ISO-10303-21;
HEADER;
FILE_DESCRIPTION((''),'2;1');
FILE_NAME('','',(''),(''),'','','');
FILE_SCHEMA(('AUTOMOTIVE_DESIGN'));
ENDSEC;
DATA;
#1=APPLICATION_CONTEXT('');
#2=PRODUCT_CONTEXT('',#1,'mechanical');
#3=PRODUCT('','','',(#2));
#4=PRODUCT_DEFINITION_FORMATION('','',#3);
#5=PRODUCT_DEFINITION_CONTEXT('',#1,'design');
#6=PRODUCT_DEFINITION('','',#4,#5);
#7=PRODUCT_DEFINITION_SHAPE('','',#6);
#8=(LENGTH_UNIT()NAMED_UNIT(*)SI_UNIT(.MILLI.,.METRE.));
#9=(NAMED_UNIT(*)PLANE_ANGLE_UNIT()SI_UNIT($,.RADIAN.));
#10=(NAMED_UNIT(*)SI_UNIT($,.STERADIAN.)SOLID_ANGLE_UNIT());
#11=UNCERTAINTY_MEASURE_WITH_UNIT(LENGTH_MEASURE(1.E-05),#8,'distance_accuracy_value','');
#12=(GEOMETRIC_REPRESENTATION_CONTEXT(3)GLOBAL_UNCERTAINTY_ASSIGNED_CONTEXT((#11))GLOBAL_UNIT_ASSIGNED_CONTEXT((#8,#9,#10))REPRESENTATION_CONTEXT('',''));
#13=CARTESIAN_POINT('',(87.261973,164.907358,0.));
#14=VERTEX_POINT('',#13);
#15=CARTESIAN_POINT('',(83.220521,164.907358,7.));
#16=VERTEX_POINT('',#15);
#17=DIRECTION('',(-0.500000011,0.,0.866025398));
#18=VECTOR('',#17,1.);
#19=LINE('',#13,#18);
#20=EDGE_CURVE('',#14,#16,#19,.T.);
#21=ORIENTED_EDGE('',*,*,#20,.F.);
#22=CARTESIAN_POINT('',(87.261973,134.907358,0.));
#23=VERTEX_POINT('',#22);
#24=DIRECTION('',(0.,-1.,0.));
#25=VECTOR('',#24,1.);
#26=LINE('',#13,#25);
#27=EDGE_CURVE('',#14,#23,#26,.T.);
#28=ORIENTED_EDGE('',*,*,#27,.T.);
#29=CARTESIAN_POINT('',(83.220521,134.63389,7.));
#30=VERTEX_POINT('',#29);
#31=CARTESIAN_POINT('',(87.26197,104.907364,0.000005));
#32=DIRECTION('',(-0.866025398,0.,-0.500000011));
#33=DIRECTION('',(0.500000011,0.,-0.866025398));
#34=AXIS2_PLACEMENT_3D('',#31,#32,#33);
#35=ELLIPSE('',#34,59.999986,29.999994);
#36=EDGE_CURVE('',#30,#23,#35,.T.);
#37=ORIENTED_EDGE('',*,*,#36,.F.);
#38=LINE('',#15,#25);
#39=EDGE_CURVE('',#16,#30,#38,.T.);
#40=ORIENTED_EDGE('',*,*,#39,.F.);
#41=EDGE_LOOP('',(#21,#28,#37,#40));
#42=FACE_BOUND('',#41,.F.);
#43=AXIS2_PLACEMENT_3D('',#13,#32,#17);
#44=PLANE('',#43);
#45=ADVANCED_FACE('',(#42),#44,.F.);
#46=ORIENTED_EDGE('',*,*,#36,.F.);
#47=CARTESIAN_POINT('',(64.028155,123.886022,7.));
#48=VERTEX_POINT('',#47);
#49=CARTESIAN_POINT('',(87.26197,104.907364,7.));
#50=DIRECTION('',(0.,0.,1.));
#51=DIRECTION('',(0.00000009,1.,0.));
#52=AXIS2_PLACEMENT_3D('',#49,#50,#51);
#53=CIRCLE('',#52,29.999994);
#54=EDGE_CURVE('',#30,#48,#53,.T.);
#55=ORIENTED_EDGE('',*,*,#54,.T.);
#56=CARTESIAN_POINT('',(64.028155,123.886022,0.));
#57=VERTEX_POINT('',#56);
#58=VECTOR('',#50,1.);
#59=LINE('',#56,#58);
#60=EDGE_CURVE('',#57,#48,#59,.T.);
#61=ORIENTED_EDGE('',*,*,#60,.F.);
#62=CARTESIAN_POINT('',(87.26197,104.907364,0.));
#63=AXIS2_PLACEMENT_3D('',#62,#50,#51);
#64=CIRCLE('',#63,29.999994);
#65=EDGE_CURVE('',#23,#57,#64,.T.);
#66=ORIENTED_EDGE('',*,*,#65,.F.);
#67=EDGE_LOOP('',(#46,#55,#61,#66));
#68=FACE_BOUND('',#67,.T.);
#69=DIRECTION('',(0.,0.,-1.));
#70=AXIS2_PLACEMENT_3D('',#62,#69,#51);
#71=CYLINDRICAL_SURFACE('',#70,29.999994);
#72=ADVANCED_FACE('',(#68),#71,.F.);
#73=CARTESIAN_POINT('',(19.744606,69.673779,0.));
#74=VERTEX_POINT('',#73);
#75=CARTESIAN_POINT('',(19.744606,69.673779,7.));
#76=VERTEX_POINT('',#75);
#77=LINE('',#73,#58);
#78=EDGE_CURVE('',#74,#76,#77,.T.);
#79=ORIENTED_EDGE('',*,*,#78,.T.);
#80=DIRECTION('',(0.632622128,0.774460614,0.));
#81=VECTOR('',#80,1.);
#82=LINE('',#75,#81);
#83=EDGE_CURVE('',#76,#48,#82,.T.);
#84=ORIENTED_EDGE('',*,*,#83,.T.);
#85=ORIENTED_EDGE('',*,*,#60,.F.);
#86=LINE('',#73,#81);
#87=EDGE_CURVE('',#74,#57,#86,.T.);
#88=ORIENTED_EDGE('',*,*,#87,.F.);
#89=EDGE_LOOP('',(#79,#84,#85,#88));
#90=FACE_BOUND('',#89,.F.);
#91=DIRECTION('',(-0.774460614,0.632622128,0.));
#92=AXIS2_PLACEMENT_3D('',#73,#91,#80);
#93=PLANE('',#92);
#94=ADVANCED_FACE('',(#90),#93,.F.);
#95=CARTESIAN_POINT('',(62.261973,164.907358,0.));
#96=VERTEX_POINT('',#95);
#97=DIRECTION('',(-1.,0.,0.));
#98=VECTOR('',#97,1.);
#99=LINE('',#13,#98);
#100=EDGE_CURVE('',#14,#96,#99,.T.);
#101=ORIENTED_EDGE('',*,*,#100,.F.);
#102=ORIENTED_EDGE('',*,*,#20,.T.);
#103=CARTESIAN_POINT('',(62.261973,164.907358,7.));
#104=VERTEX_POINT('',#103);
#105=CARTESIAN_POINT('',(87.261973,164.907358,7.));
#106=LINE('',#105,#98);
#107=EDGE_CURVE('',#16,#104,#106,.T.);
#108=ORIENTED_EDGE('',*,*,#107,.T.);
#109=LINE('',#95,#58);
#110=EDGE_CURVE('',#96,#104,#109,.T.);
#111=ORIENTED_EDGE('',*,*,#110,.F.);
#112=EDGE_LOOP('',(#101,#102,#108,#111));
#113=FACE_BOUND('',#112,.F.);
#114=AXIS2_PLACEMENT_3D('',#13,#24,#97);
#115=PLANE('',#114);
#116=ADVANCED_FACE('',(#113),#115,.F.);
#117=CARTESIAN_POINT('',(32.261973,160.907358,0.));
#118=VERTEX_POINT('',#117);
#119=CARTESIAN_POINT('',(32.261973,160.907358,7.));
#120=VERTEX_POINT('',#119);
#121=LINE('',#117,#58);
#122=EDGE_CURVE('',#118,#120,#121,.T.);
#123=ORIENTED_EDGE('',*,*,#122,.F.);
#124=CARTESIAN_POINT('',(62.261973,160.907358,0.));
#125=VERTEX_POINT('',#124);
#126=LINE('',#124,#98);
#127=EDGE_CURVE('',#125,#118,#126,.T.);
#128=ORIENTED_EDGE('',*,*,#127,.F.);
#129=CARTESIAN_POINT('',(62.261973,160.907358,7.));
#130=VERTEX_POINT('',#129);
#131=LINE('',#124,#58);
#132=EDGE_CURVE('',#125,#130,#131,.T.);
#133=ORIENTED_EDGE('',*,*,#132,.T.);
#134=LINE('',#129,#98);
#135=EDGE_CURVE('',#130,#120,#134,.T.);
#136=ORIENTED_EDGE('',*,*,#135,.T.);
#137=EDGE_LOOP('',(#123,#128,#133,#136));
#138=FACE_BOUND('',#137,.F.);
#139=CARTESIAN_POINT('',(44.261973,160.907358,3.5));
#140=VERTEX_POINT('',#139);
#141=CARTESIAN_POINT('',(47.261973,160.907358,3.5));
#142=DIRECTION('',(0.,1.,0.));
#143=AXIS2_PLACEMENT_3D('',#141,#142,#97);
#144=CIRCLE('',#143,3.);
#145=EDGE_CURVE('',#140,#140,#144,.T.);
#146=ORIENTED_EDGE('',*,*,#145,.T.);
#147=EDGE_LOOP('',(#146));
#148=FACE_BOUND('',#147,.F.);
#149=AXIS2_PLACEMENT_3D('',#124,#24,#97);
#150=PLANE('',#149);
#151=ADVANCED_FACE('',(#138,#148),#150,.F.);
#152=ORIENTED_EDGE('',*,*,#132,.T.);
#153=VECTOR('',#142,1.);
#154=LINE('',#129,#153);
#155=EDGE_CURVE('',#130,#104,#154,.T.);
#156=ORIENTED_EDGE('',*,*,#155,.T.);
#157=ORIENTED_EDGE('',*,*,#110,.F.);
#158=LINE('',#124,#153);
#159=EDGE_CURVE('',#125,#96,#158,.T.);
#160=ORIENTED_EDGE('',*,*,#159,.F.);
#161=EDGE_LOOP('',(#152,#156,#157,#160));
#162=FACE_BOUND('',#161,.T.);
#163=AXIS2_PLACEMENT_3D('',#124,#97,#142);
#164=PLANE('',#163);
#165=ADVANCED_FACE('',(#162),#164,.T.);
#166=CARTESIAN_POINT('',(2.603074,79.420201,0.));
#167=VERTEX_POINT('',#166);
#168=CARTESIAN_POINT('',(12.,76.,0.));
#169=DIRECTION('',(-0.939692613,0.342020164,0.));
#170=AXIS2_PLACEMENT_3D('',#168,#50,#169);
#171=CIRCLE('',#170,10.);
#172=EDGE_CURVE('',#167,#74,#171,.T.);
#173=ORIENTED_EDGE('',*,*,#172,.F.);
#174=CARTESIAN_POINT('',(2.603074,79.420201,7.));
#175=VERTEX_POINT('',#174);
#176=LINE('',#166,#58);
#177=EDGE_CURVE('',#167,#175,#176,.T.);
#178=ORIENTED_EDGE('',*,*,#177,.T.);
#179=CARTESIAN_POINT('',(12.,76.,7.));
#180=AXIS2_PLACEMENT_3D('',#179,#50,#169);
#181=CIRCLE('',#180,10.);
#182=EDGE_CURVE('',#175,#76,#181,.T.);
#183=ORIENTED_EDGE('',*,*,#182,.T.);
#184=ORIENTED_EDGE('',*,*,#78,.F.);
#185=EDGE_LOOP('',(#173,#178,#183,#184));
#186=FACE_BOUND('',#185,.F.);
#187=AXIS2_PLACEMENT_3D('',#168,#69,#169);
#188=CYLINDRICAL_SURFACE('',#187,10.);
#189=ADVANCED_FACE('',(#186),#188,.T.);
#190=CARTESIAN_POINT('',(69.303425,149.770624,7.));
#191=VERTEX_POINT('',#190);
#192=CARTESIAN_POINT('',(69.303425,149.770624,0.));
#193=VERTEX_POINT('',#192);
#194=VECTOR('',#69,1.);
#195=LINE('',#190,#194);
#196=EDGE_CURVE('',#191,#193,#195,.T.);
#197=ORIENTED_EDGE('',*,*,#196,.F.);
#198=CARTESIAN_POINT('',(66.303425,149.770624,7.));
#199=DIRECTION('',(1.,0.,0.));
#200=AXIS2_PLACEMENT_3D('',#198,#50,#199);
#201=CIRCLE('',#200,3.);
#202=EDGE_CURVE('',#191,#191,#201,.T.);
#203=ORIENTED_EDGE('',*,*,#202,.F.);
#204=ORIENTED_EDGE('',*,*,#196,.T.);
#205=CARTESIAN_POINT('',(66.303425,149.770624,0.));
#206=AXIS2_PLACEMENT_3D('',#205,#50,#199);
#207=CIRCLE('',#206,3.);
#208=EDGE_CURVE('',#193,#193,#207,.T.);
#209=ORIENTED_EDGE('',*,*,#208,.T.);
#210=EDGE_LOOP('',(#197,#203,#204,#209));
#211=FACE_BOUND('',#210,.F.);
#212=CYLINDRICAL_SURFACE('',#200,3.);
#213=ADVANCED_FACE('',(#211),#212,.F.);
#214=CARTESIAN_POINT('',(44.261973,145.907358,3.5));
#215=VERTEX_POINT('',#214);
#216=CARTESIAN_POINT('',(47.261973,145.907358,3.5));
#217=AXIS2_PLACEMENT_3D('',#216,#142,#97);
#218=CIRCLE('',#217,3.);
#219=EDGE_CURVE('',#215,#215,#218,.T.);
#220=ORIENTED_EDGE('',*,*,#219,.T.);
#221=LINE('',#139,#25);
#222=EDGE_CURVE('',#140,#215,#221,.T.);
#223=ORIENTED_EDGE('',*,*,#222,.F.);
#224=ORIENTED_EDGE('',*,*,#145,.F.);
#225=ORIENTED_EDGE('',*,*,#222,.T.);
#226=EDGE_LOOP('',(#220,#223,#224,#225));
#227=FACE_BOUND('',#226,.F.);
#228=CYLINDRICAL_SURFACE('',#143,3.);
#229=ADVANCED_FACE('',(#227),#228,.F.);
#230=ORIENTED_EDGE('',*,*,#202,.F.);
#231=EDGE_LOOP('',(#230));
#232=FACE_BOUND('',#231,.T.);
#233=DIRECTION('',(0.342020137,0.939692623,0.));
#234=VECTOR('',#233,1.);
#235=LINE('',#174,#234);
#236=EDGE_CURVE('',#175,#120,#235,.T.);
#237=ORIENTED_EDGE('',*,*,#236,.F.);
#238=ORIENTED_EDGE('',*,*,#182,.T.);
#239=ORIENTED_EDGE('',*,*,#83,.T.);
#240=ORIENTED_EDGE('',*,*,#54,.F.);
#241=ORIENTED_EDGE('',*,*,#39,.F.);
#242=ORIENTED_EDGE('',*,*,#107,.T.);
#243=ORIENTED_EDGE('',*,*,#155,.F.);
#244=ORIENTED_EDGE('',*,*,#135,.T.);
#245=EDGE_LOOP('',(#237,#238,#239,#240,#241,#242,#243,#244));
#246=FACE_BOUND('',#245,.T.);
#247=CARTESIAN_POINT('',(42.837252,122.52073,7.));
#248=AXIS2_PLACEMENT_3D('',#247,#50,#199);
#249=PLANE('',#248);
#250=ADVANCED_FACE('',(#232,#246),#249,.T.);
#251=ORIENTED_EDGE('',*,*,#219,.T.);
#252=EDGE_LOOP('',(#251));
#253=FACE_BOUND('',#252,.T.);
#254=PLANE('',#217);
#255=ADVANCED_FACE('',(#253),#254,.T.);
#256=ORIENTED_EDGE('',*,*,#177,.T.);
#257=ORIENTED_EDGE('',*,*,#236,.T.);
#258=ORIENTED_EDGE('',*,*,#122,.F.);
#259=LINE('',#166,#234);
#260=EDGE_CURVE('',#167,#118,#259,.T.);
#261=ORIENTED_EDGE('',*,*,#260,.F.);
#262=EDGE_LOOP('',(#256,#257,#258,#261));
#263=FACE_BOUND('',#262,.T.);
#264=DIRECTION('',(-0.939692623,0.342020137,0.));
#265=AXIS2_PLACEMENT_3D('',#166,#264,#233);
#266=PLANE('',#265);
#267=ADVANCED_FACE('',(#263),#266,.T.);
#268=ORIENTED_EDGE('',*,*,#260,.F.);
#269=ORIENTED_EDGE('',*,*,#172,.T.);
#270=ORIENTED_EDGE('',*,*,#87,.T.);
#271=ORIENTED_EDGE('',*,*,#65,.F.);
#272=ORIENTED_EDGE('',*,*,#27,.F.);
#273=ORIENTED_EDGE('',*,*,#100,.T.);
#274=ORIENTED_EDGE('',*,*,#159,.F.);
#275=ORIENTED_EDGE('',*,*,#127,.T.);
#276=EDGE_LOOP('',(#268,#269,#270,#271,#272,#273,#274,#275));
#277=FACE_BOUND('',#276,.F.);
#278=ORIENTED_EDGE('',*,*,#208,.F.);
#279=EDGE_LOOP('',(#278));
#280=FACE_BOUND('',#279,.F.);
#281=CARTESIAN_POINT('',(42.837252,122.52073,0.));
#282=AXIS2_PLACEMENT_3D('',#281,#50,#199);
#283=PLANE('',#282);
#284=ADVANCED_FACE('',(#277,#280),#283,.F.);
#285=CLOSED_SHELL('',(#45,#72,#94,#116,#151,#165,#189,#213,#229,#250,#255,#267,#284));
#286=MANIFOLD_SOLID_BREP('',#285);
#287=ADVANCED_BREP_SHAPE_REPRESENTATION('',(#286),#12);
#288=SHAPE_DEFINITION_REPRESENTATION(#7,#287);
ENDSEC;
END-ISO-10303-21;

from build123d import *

# Parameters (mm, degrees)
PAD002_DEPTH    = 7
SKETCH025_R     = 3
POCKET018_DEPTH = 15
POCKET019_DEPTH = 98.908358
SKETCH028_R     = 3
POCKET021_DEPTH = 7.001


with BuildPart() as part:
    # Sketch023 → Pad002 (new body)
    with BuildSketch(Plane.XY):
        with BuildLine():
            Line((75.261973, 88.907358), (50.261973, 88.907358))
            Line((50.261973, 84.907358), (50.261973, 88.907358))
            Line((50.261973, 84.907358), (20.261973, 84.907358))
            Line((-9.396926, 3.420201), (20.261973, 84.907358))
            ThreePointArc((-9.396926, 3.420201), (-4.942745, -8.693059), (7.744606, -6.326221))
            Line((7.744606, -6.326221), (52.028155, 47.886022))
            ThreePointArc((75.261973, 58.907358), (62.404289, 56.012339), (52.028155, 47.886022))
            Line((75.261973, 88.907358), (75.261973, 58.907358))
        make_face()
    extrude(amount=PAD002_DEPTH)

    # Sketch025 (on Face4 of Pad002) → Pocket018 (cut)
    with BuildSketch(Plane(origin=(0, 84.907358, 0), x_dir=(-1, 0, 0), z_dir=(0, 1, 0))):
        with Locations((-35.261973, 3.5)):
            Circle(SKETCH025_R)
    extrude(amount=-POCKET018_DEPTH, mode=Mode.SUBTRACT)

    # Sketch026 (on Face2 of Pocket018) → Pocket019 (cut, through all)
    with BuildSketch(Plane(origin=(0, 88.907358, 0), x_dir=(-1, 0, 0), z_dir=(0, 1, 0))):
        Polygon((-75.261973, 7), (-75.261973, 0), (-71.220521, 7), align=None)
    extrude(amount=-POCKET019_DEPTH, mode=Mode.SUBTRACT)

    # Sketch028 → Pocket021 (cut, through all)
    with BuildSketch(Plane.XY.offset(7)):
        with Locations((54.303425, 73.770624)):
            Circle(SKETCH028_R)
    extrude(amount=-POCKET021_DEPTH, mode=Mode.SUBTRACT)


with BuildPart() as part_1:
    # Body002 placement: moved
    add(part.part.moved(Location((-250, 0, 0))))


with BuildPart() as part_2:
    # Clone placement: moved
    add(part_1.part.moved(Location((262, 76, 0))))


solid = part_2.part
